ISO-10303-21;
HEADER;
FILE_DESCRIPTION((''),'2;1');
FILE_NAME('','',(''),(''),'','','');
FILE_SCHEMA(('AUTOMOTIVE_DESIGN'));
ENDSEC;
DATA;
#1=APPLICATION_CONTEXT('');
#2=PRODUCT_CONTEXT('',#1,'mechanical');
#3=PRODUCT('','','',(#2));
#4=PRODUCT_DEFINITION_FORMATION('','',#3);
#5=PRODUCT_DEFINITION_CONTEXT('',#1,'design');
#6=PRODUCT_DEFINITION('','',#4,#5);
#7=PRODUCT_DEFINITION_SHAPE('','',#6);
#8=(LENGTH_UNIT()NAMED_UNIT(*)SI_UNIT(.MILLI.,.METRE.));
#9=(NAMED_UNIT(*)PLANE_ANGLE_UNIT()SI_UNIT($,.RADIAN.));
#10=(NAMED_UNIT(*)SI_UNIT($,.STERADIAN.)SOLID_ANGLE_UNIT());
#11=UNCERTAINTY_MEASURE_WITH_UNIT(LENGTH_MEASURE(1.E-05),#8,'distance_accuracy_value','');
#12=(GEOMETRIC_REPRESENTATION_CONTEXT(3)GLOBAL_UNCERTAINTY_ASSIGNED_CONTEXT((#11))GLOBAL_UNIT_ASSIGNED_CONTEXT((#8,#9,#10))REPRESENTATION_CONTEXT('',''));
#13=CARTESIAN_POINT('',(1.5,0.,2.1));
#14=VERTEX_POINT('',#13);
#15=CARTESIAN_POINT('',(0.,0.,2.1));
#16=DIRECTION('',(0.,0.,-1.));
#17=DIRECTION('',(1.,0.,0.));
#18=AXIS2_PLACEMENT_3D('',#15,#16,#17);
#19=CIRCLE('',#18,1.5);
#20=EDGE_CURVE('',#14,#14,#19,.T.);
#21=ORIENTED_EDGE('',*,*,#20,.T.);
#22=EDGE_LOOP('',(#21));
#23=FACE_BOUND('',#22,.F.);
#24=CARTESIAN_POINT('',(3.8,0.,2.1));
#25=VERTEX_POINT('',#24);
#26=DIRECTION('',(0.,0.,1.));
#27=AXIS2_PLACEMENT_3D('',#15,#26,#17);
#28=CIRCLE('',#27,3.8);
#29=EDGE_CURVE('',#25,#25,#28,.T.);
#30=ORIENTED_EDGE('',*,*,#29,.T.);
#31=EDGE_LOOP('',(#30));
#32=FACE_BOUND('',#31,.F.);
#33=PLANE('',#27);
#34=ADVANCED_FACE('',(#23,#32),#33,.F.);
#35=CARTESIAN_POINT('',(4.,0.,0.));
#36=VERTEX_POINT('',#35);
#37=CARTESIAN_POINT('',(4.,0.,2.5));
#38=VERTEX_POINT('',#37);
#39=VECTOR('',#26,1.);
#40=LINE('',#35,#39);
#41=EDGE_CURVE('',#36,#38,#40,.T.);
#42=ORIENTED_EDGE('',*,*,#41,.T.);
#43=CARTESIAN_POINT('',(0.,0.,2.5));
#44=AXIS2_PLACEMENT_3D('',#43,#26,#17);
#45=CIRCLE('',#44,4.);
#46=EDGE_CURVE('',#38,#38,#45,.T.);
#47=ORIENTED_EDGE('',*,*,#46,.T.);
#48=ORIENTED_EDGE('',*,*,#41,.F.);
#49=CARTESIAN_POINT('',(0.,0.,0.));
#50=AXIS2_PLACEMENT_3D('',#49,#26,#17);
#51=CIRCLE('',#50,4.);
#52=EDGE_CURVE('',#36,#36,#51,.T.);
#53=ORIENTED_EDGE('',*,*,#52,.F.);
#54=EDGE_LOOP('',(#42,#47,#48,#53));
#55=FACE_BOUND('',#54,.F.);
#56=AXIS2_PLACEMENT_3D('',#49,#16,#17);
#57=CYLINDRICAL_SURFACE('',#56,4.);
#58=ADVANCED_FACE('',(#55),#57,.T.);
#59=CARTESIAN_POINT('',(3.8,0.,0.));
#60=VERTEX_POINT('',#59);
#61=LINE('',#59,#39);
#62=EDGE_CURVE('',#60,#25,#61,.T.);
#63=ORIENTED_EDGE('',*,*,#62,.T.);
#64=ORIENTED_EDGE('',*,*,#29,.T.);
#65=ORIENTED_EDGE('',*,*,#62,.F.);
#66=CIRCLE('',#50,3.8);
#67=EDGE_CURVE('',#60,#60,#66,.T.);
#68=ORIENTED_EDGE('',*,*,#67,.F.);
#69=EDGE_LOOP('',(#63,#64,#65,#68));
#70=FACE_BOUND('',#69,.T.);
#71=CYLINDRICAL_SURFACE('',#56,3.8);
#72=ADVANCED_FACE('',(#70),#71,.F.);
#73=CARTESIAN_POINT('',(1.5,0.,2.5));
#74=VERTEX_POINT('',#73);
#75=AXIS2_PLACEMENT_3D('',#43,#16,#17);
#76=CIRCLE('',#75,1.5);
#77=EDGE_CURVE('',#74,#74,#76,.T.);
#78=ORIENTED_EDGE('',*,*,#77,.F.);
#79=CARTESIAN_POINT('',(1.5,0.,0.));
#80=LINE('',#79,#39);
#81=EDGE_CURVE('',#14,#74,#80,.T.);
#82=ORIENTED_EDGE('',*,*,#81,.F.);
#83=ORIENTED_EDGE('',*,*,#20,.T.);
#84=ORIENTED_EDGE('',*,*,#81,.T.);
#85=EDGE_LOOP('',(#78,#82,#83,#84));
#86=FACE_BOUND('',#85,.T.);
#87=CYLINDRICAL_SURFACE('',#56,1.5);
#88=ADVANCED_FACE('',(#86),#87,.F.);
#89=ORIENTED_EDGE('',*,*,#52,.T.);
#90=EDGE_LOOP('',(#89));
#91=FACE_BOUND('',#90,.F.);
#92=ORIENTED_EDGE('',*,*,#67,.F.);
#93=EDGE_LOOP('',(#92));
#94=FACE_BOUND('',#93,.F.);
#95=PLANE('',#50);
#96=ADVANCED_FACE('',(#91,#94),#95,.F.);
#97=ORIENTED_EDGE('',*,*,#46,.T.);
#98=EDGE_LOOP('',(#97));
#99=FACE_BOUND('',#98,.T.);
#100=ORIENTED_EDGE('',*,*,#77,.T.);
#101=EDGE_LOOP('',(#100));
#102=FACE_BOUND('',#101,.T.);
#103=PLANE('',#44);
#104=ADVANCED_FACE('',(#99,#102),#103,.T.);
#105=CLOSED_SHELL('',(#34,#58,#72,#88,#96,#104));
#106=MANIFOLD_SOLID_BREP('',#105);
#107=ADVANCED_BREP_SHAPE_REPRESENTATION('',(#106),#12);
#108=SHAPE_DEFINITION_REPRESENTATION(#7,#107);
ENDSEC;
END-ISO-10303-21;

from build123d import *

# Parameters (mm, degrees)
CYLINDER004_R     = 1.5
CYLINDER004_DEPTH = 3
CYLINDER003_R     = 3.8
CYLINDER003_DEPTH = 2.1
CYLINDER002_R     = 4
CYLINDER002_DEPTH = 2.5


with BuildPart() as cylinder004:
    # Cylinder004 → Cylinder004 (new body)
    with BuildSketch(Plane.XY):
        Circle(CYLINDER004_R)
    extrude(amount=CYLINDER004_DEPTH)


with BuildPart() as fusion:
    # Cylinder003 → Cylinder003 (new body)
    with BuildSketch(Plane.XY):
        Circle(CYLINDER003_R)
    extrude(amount=CYLINDER003_DEPTH)

    # Fusion: union Cylinder004
    add(cylinder004.part)


with BuildPart() as cut001:
    # Cylinder002 → Cylinder002 (new body)
    with BuildSketch(Plane.XY):
        Circle(CYLINDER002_R)
    extrude(amount=CYLINDER002_DEPTH)

    # Cut001: cut Fusion
    add(fusion.part, mode=Mode.SUBTRACT)


solid = cut001.part
